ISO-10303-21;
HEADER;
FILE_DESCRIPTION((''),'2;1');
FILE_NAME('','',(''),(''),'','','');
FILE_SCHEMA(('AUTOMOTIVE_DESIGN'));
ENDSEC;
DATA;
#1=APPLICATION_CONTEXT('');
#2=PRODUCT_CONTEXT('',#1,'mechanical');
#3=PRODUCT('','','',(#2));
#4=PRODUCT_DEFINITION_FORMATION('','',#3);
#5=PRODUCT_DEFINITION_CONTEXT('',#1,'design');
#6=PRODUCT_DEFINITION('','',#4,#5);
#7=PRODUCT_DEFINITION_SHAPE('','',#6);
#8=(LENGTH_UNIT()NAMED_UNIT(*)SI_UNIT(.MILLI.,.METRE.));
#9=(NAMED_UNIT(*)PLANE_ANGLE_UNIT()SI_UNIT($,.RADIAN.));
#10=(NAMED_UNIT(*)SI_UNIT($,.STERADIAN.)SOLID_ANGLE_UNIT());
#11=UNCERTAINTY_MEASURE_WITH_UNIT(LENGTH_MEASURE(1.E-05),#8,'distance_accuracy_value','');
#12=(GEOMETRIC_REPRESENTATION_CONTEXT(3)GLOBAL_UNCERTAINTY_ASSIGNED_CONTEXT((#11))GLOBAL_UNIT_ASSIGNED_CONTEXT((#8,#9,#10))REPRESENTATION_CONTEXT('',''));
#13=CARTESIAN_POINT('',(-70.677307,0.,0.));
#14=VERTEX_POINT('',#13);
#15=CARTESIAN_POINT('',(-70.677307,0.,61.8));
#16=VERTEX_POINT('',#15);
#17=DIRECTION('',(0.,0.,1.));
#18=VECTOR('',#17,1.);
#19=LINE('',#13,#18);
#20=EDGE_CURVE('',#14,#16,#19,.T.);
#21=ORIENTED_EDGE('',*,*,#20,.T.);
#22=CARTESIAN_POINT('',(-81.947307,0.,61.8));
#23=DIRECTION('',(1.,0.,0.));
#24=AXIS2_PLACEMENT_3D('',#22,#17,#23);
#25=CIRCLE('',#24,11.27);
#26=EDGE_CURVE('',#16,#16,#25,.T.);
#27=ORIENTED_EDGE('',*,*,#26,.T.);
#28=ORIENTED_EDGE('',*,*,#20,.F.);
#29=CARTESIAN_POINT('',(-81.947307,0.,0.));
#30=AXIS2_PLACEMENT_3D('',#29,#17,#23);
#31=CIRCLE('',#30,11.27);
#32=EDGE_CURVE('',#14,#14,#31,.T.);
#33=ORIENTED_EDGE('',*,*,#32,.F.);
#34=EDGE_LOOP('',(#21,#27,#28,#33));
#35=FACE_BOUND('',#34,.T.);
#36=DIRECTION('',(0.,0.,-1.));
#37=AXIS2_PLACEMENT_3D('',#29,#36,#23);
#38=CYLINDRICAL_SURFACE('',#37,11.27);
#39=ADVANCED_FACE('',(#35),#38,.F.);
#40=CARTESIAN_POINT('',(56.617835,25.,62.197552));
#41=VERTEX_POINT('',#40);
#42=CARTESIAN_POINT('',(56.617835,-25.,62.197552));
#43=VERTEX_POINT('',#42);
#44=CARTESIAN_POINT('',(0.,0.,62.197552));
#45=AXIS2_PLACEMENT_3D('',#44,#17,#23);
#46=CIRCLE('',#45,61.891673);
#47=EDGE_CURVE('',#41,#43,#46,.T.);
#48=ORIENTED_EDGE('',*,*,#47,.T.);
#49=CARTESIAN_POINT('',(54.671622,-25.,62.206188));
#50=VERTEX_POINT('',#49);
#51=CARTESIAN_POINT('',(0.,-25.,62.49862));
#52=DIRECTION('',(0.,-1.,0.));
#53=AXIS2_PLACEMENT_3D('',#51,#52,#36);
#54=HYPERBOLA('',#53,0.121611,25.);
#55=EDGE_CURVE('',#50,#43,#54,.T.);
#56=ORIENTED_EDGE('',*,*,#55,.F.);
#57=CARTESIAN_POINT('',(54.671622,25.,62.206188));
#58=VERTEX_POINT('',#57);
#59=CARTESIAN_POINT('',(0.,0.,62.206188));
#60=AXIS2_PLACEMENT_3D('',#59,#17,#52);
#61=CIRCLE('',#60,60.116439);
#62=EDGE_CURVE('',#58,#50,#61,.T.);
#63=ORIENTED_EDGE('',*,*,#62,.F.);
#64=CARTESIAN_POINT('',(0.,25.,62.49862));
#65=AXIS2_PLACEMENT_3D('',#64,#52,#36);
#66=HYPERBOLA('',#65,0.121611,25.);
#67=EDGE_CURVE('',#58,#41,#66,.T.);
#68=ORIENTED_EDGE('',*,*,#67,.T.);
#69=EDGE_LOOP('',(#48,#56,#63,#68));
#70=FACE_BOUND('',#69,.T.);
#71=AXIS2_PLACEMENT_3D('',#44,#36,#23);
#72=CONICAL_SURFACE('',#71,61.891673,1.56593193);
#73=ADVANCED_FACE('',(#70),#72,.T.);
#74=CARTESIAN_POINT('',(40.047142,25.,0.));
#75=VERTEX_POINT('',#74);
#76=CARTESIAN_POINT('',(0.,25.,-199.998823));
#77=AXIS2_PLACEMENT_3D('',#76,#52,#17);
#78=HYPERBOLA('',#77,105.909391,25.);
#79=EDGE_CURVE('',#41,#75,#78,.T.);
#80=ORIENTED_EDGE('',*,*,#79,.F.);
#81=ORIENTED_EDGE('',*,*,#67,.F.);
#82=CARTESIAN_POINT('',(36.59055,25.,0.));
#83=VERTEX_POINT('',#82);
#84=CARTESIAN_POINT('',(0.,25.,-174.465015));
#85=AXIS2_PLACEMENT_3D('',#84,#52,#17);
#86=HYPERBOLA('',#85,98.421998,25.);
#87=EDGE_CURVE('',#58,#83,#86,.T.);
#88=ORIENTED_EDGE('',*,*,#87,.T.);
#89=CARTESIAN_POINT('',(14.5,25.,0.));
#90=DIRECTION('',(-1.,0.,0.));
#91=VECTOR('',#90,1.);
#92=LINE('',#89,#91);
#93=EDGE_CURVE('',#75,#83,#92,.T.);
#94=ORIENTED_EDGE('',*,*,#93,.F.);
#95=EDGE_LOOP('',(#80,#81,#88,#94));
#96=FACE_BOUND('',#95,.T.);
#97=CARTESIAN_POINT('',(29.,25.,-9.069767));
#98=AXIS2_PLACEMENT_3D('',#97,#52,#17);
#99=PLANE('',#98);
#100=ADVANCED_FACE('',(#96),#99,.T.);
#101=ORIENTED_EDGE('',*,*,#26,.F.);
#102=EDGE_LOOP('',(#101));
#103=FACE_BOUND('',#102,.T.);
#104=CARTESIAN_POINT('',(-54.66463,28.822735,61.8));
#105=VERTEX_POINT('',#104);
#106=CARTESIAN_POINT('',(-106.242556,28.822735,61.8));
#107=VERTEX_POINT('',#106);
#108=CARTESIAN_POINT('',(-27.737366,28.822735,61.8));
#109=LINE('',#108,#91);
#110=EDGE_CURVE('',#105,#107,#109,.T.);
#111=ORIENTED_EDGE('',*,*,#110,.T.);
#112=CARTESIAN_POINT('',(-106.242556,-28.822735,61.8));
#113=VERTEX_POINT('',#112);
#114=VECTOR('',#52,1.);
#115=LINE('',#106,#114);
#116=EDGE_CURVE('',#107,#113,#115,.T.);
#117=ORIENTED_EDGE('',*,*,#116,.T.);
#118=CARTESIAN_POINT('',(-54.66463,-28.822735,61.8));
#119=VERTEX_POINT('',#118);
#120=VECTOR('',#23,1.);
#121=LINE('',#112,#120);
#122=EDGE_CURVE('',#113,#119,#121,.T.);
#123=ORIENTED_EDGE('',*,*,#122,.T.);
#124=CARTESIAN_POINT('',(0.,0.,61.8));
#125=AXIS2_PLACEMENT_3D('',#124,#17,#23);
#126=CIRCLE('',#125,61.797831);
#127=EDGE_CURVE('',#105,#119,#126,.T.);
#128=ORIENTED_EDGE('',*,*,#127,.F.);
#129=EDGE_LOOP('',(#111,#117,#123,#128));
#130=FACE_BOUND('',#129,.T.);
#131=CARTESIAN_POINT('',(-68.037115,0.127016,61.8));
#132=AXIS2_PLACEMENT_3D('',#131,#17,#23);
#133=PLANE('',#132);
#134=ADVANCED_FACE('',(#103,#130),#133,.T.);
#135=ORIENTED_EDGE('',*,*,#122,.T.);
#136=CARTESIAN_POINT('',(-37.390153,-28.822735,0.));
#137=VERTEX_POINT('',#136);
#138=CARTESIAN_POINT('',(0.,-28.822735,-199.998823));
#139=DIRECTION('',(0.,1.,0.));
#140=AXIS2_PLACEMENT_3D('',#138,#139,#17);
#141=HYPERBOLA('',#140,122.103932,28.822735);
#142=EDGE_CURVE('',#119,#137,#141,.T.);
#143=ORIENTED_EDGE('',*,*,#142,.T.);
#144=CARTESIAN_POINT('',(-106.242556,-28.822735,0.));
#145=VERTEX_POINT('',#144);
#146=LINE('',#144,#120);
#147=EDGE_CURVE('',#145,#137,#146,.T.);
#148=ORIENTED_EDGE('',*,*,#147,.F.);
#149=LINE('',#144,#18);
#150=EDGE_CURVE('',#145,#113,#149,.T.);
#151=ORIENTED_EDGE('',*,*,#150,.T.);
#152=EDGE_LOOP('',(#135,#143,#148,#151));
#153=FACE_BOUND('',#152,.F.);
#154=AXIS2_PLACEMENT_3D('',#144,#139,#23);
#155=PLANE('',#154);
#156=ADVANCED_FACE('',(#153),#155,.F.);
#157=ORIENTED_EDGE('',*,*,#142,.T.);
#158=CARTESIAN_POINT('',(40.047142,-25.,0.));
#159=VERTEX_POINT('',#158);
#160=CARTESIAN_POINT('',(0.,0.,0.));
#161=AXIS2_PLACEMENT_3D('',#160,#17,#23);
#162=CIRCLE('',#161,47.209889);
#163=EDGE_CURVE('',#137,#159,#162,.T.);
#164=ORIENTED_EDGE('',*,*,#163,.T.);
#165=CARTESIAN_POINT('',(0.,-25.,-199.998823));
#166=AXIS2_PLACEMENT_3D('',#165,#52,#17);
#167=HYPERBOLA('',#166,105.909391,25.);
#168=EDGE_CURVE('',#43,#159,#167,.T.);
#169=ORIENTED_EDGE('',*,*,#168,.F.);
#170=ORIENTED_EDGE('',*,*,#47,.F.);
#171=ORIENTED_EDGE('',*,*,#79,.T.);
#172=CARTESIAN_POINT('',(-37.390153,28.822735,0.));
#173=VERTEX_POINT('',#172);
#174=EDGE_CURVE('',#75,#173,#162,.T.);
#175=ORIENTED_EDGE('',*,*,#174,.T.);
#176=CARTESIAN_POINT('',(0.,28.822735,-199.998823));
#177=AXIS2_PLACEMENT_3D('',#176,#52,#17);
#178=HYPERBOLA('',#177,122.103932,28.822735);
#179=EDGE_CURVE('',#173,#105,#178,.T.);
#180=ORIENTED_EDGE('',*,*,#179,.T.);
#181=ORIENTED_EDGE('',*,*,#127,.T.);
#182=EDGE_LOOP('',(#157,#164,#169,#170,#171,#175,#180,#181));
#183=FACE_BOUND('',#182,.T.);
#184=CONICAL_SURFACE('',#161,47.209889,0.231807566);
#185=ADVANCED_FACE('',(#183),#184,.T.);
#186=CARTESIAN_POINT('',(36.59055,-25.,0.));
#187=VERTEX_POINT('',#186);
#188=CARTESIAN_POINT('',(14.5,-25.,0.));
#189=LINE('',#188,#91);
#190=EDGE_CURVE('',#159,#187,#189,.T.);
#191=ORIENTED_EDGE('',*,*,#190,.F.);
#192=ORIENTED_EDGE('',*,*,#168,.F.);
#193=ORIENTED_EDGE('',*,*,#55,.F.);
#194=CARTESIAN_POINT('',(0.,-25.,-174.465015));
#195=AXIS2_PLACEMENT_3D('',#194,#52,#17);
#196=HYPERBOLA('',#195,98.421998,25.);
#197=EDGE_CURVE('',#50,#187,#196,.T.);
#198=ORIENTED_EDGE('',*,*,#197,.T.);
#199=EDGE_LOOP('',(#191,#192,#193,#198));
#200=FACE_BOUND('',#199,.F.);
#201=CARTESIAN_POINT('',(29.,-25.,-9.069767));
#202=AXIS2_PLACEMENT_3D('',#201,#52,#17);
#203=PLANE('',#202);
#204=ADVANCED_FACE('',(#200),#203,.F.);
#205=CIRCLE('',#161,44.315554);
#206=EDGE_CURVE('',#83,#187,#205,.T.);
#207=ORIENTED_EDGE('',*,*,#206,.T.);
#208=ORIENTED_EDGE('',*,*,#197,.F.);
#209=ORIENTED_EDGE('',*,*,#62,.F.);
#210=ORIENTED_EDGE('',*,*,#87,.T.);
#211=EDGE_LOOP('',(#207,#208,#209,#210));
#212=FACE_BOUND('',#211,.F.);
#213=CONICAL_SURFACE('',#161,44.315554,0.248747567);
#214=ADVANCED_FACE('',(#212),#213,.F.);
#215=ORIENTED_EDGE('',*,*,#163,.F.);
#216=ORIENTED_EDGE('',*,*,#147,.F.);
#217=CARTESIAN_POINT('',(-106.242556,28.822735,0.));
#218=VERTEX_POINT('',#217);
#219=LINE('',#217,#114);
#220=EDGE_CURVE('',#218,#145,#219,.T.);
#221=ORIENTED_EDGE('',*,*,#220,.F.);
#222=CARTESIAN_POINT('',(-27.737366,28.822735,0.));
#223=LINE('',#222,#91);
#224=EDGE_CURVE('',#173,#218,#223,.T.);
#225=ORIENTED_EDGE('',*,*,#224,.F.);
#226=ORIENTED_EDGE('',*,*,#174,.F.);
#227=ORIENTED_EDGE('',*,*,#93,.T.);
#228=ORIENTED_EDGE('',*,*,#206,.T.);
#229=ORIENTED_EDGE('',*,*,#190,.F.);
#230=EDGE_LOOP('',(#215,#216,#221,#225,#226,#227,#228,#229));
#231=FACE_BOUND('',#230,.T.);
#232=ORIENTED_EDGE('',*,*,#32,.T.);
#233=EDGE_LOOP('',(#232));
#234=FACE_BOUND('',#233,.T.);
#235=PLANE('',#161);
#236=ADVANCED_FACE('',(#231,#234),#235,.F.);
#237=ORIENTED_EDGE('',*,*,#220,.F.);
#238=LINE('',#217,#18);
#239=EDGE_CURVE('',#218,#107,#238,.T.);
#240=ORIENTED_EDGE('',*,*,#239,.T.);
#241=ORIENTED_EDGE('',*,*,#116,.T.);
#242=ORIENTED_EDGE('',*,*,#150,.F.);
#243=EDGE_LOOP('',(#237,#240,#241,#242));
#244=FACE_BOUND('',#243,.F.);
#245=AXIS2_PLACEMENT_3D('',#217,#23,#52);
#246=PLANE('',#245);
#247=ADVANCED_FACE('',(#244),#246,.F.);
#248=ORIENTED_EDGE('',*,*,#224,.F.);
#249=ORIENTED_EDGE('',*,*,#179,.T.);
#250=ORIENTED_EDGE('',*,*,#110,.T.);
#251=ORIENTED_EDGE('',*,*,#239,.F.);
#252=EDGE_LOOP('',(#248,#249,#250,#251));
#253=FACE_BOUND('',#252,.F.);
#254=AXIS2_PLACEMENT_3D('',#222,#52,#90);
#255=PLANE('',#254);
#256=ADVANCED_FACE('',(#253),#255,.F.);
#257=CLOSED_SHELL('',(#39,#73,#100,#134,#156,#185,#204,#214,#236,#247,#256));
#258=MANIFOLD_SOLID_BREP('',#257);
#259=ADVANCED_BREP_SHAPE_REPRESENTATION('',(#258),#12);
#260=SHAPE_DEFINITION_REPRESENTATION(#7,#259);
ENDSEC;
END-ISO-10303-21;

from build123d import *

# Parameters (mm, degrees)
F3_W     = 50
F3_H     = 76.046514
F4_DEPTH = 61.9
F5_R     = 11.27
F6_DEPTH = 61.8


with BuildPart() as f1:
    # F0 (on Front) → F1 (revolve)
    with BuildSketch(Plane.XZ):
        Polygon((47.209889, 0), (61.891673, 62.197552), (0, 62.49862), (0, 0), align=None)
    revolve(axis=Axis((0, 0, 31.24931), (0, 0, 1)))

    # F3 (on offset) → F4 (cut)
    with BuildSketch(Plane.YZ.offset(29)):
        with Locations((0, 28.95349)):
            Rectangle(F3_W, F3_H)
    extrude(amount=F4_DEPTH, mode=Mode.SUBTRACT)

    # F5 (on Top) → F6 (join)
    with BuildSketch(Plane.XY):
        with BuildLine():
            Line((-27.737366, 28.822735), (-106.242556, 28.822735))
            Line((-106.242556, 28.822735), (-106.242556, -28.822735))
            Line((-106.242556, -28.822735), (-28.702144, -28.822735))
            ThreePointArc((-28.702144, -28.822735), (-40.032989, 0.197711), (-27.737366, 28.822735))
        make_face()
        with Locations((-81.947307, 0)):
            Circle(F5_R, mode=Mode.SUBTRACT)
    extrude(amount=F6_DEPTH)

    # F7 (on Front) → F8 (revolve, cut)
    with BuildSketch(Plane.XZ):
        Polygon((0, 62.710572), (0, 0), (44.315554, 0), (60.244557, 62.710572), align=None)
    revolve(axis=Axis((0, 0, 31.355286), (0, 0, 1)), mode=Mode.SUBTRACT)


solid = f1.part
